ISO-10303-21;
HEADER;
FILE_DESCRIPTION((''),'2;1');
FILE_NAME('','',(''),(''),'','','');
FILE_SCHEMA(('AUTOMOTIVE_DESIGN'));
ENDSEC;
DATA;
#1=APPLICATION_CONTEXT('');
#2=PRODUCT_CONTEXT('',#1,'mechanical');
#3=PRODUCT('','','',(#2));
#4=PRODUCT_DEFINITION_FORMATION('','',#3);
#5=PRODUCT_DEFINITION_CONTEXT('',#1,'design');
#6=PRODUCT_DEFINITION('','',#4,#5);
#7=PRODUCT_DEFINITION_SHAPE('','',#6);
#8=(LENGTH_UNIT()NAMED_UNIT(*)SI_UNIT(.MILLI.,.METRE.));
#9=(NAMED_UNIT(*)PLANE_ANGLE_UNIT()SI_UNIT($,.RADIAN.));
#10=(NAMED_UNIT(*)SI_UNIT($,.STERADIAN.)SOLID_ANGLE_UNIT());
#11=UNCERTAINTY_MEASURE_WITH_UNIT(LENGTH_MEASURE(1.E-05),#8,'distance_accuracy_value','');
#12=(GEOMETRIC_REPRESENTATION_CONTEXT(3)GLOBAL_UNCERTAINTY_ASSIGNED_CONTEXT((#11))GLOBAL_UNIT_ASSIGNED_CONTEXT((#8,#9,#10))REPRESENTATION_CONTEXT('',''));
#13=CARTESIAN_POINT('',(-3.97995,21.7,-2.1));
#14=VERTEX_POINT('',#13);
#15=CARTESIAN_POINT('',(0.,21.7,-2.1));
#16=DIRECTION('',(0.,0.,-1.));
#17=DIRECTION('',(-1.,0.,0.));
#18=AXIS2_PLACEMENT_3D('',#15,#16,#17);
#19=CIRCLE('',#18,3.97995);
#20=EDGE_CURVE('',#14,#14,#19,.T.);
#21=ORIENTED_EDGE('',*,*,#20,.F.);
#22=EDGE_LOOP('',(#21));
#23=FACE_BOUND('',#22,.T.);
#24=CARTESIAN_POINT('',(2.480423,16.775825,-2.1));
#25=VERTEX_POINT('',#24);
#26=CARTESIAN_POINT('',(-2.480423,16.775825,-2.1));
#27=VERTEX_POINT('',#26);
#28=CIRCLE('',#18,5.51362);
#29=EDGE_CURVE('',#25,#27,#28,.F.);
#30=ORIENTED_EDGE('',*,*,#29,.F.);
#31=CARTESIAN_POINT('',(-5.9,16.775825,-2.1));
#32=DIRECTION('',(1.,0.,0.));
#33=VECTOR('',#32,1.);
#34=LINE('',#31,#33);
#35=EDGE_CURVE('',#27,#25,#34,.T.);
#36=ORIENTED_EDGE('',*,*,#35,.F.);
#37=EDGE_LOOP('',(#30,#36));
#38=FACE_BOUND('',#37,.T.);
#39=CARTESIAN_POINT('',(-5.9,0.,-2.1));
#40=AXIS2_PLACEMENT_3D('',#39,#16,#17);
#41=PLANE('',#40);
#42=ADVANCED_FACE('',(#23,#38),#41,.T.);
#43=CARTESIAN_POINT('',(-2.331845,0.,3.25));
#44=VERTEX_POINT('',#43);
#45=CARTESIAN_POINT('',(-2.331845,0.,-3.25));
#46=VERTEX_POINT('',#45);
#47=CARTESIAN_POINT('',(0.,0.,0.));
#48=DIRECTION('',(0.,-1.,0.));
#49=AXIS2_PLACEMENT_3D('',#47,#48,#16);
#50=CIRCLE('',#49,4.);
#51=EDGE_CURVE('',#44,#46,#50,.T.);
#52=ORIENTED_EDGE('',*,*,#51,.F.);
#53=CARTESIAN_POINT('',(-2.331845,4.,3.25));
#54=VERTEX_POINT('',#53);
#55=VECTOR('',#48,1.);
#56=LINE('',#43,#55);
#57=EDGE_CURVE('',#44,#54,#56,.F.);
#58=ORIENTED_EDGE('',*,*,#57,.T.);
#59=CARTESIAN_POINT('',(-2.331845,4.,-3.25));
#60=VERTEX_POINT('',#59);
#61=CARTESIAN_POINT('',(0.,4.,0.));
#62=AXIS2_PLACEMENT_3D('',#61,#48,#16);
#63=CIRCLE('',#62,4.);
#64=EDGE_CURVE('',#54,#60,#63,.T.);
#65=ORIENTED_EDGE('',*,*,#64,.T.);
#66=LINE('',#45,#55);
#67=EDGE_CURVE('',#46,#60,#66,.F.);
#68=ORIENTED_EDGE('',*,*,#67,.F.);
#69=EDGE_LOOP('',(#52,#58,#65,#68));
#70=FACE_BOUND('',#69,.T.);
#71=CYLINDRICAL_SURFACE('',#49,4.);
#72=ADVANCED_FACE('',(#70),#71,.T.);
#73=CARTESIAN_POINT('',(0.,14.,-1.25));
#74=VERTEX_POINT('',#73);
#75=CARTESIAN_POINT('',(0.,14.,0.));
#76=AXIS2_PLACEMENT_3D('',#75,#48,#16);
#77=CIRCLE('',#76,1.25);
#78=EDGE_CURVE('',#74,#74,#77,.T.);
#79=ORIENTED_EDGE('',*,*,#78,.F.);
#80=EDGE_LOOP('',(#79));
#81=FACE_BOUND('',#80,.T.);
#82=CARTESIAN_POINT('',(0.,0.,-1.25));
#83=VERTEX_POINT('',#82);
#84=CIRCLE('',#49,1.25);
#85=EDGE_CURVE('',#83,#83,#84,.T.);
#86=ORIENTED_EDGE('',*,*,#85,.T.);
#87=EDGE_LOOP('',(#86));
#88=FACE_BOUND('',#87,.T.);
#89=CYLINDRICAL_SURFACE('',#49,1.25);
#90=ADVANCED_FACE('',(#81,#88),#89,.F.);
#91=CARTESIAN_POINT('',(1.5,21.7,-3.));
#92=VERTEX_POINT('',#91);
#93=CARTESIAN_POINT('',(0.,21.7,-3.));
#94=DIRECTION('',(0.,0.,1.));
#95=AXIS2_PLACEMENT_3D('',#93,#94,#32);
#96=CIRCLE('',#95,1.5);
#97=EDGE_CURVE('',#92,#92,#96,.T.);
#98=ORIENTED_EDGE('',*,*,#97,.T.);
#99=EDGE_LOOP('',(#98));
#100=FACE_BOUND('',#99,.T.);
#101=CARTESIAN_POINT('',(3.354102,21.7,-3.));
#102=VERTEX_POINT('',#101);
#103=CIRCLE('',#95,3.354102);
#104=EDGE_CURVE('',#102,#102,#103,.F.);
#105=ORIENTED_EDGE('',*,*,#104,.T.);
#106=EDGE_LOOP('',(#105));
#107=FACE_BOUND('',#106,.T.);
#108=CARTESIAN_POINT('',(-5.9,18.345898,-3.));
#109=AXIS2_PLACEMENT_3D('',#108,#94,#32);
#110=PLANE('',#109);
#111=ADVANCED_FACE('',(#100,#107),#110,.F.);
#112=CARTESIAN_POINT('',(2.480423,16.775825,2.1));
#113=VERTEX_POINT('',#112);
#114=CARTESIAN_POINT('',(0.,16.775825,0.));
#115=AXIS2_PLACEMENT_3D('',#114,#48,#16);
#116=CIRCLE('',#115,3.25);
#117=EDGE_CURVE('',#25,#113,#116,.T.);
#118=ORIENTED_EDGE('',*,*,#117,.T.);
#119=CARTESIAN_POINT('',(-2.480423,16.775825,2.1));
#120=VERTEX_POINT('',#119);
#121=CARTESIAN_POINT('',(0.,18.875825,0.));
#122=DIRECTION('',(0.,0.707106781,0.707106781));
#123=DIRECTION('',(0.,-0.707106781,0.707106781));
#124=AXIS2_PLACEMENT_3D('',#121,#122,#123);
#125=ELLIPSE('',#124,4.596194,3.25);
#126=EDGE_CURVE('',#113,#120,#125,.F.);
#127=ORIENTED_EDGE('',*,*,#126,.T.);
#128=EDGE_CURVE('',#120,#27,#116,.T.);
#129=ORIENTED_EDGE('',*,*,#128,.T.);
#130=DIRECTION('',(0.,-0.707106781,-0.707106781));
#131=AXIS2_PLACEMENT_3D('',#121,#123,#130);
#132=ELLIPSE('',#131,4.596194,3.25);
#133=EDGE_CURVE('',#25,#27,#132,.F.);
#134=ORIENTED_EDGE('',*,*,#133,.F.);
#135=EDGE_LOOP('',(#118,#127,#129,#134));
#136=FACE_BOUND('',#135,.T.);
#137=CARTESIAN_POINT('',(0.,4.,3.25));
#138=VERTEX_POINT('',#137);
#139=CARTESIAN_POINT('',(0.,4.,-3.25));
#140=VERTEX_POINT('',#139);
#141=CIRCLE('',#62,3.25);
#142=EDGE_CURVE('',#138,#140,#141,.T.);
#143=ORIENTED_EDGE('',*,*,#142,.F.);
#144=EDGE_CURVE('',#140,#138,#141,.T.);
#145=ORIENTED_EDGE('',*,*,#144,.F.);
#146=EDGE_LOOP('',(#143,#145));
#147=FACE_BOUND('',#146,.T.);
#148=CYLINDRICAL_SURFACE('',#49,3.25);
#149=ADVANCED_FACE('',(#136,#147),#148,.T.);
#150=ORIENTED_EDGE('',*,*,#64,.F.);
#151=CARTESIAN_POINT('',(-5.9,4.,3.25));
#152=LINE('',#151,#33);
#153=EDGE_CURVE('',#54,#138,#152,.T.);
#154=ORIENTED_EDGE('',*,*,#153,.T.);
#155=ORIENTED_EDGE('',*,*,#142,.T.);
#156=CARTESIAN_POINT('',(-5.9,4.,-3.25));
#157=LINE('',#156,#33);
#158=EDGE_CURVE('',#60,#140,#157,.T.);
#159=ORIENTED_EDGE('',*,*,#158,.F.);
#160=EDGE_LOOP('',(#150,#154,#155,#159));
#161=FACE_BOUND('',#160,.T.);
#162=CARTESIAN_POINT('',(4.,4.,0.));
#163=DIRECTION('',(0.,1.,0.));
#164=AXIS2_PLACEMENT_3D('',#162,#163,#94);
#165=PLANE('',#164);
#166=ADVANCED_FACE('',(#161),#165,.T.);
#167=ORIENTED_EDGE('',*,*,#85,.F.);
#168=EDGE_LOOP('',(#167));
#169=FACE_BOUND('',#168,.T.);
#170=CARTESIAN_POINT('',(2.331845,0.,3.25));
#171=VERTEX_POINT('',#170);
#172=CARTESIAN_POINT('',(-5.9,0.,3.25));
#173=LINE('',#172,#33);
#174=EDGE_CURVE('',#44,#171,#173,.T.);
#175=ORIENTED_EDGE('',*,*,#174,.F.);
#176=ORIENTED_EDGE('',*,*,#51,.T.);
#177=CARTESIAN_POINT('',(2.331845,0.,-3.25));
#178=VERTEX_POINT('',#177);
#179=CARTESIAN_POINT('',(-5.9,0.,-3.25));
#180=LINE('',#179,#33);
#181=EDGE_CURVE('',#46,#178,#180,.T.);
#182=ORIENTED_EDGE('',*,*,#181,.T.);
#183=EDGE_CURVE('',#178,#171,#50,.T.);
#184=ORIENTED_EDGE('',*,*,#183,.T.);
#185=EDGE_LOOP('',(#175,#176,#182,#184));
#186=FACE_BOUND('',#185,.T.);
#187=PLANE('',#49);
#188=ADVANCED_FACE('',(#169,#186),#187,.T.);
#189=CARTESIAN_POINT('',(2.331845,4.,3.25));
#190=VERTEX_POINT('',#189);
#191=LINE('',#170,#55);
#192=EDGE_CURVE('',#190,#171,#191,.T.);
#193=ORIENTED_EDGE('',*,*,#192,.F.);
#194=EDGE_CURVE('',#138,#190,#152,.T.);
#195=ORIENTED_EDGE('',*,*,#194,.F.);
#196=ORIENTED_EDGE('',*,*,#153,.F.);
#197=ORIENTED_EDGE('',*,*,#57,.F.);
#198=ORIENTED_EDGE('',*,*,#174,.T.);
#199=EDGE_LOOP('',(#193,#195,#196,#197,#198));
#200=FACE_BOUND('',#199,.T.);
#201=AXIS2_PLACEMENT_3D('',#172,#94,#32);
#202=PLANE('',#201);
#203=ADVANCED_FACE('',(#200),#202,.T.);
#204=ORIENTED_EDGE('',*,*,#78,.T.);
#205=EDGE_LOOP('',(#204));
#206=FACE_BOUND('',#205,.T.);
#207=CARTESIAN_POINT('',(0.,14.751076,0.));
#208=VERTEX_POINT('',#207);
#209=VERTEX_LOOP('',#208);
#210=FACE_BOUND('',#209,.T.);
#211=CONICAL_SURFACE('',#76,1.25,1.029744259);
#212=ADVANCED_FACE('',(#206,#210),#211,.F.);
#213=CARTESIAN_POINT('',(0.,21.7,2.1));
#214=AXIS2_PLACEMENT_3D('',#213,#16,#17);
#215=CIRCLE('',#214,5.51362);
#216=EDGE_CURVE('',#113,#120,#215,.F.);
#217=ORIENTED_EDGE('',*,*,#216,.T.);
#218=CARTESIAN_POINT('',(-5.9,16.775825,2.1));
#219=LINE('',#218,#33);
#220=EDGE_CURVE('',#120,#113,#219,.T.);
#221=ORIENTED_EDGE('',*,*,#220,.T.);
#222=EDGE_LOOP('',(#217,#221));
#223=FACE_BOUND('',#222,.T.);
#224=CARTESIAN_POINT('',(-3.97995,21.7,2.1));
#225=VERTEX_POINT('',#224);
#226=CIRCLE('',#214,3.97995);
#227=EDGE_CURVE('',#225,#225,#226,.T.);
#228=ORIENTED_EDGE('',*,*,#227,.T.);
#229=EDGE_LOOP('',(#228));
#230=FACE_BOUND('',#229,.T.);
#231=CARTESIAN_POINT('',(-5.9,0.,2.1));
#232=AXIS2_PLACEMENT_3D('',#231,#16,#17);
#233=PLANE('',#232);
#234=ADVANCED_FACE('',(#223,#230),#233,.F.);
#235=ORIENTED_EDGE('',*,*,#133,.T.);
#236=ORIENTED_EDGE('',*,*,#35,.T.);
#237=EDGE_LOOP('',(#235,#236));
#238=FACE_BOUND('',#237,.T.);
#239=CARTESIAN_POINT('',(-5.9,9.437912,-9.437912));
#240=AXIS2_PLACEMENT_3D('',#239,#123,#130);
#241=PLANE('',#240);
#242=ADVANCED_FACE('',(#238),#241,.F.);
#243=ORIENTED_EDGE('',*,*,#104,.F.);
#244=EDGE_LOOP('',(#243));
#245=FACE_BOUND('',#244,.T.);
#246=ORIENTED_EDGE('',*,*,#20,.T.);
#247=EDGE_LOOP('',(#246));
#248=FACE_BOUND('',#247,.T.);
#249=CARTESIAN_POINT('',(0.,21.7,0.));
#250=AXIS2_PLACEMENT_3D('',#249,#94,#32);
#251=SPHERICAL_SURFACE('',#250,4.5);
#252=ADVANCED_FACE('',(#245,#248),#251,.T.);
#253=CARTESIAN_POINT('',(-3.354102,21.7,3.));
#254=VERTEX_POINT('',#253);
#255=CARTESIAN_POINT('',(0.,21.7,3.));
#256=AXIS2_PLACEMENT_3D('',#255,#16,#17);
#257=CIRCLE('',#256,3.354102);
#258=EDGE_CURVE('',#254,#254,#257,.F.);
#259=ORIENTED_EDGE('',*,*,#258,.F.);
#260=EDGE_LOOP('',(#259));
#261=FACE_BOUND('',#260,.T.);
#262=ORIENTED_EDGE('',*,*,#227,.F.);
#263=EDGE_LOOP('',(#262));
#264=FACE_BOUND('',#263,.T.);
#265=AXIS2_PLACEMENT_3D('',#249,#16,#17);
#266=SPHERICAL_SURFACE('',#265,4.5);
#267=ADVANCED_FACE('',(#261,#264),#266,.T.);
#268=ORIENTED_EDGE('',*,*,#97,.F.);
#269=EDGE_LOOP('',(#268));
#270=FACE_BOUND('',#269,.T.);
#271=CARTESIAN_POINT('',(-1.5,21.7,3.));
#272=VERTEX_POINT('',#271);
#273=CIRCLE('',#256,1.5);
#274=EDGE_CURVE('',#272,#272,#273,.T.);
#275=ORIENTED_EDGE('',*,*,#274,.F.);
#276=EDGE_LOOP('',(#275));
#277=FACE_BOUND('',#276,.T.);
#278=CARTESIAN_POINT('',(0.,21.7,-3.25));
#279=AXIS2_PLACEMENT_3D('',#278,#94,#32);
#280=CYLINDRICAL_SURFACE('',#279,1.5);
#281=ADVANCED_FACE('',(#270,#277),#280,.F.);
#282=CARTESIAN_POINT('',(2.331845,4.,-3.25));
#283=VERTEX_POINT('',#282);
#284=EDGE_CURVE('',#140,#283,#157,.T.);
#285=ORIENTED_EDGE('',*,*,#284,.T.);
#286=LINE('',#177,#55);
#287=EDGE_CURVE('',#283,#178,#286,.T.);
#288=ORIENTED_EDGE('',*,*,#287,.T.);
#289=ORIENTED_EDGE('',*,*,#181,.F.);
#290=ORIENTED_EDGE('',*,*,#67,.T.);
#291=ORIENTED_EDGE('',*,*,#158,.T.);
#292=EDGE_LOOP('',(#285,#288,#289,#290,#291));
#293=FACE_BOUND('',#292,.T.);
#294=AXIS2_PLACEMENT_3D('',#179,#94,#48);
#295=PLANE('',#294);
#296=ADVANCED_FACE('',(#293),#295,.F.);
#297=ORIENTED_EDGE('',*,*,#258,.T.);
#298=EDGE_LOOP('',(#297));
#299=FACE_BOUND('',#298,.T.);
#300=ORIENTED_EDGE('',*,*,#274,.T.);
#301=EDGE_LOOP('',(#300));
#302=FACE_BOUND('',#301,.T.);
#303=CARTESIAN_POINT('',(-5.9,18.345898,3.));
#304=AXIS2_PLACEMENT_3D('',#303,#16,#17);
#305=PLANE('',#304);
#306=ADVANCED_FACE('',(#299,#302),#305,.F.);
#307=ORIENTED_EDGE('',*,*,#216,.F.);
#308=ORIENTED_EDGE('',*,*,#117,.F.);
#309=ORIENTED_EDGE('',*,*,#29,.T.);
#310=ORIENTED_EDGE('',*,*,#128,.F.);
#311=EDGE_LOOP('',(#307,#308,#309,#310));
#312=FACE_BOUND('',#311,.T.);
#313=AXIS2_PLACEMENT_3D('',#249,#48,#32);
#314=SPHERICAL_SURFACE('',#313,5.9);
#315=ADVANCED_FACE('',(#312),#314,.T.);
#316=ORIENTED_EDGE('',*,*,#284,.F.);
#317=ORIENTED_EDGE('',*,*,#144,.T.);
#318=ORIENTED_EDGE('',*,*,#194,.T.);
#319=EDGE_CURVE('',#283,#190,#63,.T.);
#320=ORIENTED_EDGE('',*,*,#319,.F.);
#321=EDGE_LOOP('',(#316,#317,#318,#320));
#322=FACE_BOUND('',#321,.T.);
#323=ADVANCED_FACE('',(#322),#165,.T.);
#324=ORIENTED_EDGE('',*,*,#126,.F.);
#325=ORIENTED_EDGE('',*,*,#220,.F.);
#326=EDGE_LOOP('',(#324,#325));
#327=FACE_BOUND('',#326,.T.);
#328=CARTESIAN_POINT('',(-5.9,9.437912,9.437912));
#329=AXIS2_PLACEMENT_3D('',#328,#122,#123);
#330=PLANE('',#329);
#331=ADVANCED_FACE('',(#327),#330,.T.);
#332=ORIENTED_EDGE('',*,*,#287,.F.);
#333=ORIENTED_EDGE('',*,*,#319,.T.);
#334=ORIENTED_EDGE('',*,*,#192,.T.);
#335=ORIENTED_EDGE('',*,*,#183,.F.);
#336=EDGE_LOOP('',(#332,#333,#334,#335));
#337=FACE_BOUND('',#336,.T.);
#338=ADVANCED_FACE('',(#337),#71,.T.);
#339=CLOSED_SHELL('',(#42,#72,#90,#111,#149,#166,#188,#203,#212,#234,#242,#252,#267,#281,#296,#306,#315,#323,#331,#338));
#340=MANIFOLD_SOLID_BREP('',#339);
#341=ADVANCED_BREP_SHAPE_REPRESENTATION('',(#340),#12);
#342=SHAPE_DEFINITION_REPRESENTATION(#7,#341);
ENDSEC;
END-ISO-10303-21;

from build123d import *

# Parameters (mm, degrees)
CORTAR_EXTRUIR1_DEPTH      = 29.833660884
CORTAR_EXTRUIR1_DEPTH_BACK = 29.833660884
CROQUIS2_W                 = 3.8
CROQUIS2_H                 = 10.824175058
CROQUIS2_W_2               = 0.75
CROQUIS2_H_2               = 4
CORTAR_EXTRUIR2_DEPTH      = 29.580062981
CORTAR_EXTRUIR2_DEPTH_BACK = 29.580062981
CROQUIS4_W                 = 1.877516853
CROQUIS4_H                 = 6.743313928
CORTAR_EXTRUIR3_DEPTH      = 29.410077437
CORTAR_EXTRUIR3_DEPTH_BACK = 29.410077437
CROQUIS5_R                 = 1.5
TALADRO_ROSCADO_M31_D      = 2.5
TALADRO_ROSCADO_M31_DEPTH  = 14
TALADRO_ROSCADO_M31_TIP    = 0.751075774


with BuildPart() as part:
    # Croquis1 → Revolución1 (revolve)
    with BuildSketch(Plane.XY):
        with BuildLine():
            Line((0, 0), (0, 17.2))
            ThreePointArc((0, 17.2), (4.5, 21.7), (0, 26.2))
            Line((0, 26.2), (0, 27.6))
            ThreePointArc((0, 27.6), (5.65078016, 23.396668376), (3.25, 16.775824942))
            Line((3.25, 16.775824942), (3.25, 4))
            Line((3.25, 4), (4, 4))
            Line((4, 4), (4, 0))
            Line((4, 0), (0, 0))
        make_face()
    revolve(axis=Axis((0, 0, 0), (0, 1, 0)))

    # Croquis2 → Cortar-Extruir1 (cut, two sides: drawn at the far end of the back side and taken through both)
    with BuildSketch(Plane(origin=(0, 0, 0), x_dir=(0, 0, -1), z_dir=(1, 0, 0)).offset(-CORTAR_EXTRUIR1_DEPTH_BACK)):
        with Locations((-4, 22.187912471)):
            Rectangle(CROQUIS2_W, CROQUIS2_H)
        with Locations((4, 22.187912471)):
            Rectangle(CROQUIS2_W, CROQUIS2_H)
        Polygon((-3.25, 15.625824942), (-2.1, 16.775824942), (-3.25, 16.775824942), align=None)
        Polygon((3.25, 16.775824942), (2.1, 16.775824942), (3.25, 15.625824942), align=None)
        with Locations((3.625, 2)):
            Rectangle(CROQUIS2_W_2, CROQUIS2_H_2)
        with Locations((-3.625, 2)):
            Rectangle(CROQUIS2_W_2, CROQUIS2_H_2)
    extrude(amount=CORTAR_EXTRUIR1_DEPTH + CORTAR_EXTRUIR1_DEPTH_BACK, mode=Mode.SUBTRACT)

    # Croquis3 → Revolución2 (revolve)
    with BuildSketch(Plane.XY):
        with BuildLine():
            Line((0, 26.2), (0, 17.2))
            ThreePointArc((0, 17.2), (-4.5, 21.7), (0, 26.2))
        make_face()
    revolve(axis=Axis((0, 26.2, 0), (0, -1, 0)))

    # Croquis4 → Cortar-Extruir2 (cut, two sides: drawn at the far end of the back side and taken through both)
    with BuildSketch(Plane(origin=(0, 0, 0), x_dir=(0, 0, -1), z_dir=(1, 0, 0)).offset(-CORTAR_EXTRUIR2_DEPTH_BACK)):
        with Locations((-3.938758427, 21.717554998)):
            Rectangle(CROQUIS4_W, CROQUIS4_H)
        with Locations((3.938758427, 21.717554998)):
            Rectangle(CROQUIS4_W, CROQUIS4_H)
    extrude(amount=CORTAR_EXTRUIR2_DEPTH + CORTAR_EXTRUIR2_DEPTH_BACK, mode=Mode.SUBTRACT)

    # Croquis5 → Cortar-Extruir3 (cut, two sides: drawn at the far end of the back side and taken through both)
    with BuildSketch(Plane.XY.offset(-CORTAR_EXTRUIR3_DEPTH_BACK)):
        with Locations((0, 21.7)):
            Circle(CROQUIS5_R)
    extrude(amount=CORTAR_EXTRUIR3_DEPTH + CORTAR_EXTRUIR3_DEPTH_BACK, mode=Mode.SUBTRACT)

    # Taladro roscado M31
    with Locations(Plane(origin=(0, 0, 0), x_dir=(-1, 0, 0), z_dir=(0, -1, 0))):
        with Locations((0, 0)):
            Hole(TALADRO_ROSCADO_M31_D / 2, depth=TALADRO_ROSCADO_M31_DEPTH)
            with Locations((0, 0, -(TALADRO_ROSCADO_M31_DEPTH + TALADRO_ROSCADO_M31_TIP / 2))):  # 118° drill point
                Cone(0, TALADRO_ROSCADO_M31_D / 2, TALADRO_ROSCADO_M31_TIP, mode=Mode.SUBTRACT)


solid = part.part
